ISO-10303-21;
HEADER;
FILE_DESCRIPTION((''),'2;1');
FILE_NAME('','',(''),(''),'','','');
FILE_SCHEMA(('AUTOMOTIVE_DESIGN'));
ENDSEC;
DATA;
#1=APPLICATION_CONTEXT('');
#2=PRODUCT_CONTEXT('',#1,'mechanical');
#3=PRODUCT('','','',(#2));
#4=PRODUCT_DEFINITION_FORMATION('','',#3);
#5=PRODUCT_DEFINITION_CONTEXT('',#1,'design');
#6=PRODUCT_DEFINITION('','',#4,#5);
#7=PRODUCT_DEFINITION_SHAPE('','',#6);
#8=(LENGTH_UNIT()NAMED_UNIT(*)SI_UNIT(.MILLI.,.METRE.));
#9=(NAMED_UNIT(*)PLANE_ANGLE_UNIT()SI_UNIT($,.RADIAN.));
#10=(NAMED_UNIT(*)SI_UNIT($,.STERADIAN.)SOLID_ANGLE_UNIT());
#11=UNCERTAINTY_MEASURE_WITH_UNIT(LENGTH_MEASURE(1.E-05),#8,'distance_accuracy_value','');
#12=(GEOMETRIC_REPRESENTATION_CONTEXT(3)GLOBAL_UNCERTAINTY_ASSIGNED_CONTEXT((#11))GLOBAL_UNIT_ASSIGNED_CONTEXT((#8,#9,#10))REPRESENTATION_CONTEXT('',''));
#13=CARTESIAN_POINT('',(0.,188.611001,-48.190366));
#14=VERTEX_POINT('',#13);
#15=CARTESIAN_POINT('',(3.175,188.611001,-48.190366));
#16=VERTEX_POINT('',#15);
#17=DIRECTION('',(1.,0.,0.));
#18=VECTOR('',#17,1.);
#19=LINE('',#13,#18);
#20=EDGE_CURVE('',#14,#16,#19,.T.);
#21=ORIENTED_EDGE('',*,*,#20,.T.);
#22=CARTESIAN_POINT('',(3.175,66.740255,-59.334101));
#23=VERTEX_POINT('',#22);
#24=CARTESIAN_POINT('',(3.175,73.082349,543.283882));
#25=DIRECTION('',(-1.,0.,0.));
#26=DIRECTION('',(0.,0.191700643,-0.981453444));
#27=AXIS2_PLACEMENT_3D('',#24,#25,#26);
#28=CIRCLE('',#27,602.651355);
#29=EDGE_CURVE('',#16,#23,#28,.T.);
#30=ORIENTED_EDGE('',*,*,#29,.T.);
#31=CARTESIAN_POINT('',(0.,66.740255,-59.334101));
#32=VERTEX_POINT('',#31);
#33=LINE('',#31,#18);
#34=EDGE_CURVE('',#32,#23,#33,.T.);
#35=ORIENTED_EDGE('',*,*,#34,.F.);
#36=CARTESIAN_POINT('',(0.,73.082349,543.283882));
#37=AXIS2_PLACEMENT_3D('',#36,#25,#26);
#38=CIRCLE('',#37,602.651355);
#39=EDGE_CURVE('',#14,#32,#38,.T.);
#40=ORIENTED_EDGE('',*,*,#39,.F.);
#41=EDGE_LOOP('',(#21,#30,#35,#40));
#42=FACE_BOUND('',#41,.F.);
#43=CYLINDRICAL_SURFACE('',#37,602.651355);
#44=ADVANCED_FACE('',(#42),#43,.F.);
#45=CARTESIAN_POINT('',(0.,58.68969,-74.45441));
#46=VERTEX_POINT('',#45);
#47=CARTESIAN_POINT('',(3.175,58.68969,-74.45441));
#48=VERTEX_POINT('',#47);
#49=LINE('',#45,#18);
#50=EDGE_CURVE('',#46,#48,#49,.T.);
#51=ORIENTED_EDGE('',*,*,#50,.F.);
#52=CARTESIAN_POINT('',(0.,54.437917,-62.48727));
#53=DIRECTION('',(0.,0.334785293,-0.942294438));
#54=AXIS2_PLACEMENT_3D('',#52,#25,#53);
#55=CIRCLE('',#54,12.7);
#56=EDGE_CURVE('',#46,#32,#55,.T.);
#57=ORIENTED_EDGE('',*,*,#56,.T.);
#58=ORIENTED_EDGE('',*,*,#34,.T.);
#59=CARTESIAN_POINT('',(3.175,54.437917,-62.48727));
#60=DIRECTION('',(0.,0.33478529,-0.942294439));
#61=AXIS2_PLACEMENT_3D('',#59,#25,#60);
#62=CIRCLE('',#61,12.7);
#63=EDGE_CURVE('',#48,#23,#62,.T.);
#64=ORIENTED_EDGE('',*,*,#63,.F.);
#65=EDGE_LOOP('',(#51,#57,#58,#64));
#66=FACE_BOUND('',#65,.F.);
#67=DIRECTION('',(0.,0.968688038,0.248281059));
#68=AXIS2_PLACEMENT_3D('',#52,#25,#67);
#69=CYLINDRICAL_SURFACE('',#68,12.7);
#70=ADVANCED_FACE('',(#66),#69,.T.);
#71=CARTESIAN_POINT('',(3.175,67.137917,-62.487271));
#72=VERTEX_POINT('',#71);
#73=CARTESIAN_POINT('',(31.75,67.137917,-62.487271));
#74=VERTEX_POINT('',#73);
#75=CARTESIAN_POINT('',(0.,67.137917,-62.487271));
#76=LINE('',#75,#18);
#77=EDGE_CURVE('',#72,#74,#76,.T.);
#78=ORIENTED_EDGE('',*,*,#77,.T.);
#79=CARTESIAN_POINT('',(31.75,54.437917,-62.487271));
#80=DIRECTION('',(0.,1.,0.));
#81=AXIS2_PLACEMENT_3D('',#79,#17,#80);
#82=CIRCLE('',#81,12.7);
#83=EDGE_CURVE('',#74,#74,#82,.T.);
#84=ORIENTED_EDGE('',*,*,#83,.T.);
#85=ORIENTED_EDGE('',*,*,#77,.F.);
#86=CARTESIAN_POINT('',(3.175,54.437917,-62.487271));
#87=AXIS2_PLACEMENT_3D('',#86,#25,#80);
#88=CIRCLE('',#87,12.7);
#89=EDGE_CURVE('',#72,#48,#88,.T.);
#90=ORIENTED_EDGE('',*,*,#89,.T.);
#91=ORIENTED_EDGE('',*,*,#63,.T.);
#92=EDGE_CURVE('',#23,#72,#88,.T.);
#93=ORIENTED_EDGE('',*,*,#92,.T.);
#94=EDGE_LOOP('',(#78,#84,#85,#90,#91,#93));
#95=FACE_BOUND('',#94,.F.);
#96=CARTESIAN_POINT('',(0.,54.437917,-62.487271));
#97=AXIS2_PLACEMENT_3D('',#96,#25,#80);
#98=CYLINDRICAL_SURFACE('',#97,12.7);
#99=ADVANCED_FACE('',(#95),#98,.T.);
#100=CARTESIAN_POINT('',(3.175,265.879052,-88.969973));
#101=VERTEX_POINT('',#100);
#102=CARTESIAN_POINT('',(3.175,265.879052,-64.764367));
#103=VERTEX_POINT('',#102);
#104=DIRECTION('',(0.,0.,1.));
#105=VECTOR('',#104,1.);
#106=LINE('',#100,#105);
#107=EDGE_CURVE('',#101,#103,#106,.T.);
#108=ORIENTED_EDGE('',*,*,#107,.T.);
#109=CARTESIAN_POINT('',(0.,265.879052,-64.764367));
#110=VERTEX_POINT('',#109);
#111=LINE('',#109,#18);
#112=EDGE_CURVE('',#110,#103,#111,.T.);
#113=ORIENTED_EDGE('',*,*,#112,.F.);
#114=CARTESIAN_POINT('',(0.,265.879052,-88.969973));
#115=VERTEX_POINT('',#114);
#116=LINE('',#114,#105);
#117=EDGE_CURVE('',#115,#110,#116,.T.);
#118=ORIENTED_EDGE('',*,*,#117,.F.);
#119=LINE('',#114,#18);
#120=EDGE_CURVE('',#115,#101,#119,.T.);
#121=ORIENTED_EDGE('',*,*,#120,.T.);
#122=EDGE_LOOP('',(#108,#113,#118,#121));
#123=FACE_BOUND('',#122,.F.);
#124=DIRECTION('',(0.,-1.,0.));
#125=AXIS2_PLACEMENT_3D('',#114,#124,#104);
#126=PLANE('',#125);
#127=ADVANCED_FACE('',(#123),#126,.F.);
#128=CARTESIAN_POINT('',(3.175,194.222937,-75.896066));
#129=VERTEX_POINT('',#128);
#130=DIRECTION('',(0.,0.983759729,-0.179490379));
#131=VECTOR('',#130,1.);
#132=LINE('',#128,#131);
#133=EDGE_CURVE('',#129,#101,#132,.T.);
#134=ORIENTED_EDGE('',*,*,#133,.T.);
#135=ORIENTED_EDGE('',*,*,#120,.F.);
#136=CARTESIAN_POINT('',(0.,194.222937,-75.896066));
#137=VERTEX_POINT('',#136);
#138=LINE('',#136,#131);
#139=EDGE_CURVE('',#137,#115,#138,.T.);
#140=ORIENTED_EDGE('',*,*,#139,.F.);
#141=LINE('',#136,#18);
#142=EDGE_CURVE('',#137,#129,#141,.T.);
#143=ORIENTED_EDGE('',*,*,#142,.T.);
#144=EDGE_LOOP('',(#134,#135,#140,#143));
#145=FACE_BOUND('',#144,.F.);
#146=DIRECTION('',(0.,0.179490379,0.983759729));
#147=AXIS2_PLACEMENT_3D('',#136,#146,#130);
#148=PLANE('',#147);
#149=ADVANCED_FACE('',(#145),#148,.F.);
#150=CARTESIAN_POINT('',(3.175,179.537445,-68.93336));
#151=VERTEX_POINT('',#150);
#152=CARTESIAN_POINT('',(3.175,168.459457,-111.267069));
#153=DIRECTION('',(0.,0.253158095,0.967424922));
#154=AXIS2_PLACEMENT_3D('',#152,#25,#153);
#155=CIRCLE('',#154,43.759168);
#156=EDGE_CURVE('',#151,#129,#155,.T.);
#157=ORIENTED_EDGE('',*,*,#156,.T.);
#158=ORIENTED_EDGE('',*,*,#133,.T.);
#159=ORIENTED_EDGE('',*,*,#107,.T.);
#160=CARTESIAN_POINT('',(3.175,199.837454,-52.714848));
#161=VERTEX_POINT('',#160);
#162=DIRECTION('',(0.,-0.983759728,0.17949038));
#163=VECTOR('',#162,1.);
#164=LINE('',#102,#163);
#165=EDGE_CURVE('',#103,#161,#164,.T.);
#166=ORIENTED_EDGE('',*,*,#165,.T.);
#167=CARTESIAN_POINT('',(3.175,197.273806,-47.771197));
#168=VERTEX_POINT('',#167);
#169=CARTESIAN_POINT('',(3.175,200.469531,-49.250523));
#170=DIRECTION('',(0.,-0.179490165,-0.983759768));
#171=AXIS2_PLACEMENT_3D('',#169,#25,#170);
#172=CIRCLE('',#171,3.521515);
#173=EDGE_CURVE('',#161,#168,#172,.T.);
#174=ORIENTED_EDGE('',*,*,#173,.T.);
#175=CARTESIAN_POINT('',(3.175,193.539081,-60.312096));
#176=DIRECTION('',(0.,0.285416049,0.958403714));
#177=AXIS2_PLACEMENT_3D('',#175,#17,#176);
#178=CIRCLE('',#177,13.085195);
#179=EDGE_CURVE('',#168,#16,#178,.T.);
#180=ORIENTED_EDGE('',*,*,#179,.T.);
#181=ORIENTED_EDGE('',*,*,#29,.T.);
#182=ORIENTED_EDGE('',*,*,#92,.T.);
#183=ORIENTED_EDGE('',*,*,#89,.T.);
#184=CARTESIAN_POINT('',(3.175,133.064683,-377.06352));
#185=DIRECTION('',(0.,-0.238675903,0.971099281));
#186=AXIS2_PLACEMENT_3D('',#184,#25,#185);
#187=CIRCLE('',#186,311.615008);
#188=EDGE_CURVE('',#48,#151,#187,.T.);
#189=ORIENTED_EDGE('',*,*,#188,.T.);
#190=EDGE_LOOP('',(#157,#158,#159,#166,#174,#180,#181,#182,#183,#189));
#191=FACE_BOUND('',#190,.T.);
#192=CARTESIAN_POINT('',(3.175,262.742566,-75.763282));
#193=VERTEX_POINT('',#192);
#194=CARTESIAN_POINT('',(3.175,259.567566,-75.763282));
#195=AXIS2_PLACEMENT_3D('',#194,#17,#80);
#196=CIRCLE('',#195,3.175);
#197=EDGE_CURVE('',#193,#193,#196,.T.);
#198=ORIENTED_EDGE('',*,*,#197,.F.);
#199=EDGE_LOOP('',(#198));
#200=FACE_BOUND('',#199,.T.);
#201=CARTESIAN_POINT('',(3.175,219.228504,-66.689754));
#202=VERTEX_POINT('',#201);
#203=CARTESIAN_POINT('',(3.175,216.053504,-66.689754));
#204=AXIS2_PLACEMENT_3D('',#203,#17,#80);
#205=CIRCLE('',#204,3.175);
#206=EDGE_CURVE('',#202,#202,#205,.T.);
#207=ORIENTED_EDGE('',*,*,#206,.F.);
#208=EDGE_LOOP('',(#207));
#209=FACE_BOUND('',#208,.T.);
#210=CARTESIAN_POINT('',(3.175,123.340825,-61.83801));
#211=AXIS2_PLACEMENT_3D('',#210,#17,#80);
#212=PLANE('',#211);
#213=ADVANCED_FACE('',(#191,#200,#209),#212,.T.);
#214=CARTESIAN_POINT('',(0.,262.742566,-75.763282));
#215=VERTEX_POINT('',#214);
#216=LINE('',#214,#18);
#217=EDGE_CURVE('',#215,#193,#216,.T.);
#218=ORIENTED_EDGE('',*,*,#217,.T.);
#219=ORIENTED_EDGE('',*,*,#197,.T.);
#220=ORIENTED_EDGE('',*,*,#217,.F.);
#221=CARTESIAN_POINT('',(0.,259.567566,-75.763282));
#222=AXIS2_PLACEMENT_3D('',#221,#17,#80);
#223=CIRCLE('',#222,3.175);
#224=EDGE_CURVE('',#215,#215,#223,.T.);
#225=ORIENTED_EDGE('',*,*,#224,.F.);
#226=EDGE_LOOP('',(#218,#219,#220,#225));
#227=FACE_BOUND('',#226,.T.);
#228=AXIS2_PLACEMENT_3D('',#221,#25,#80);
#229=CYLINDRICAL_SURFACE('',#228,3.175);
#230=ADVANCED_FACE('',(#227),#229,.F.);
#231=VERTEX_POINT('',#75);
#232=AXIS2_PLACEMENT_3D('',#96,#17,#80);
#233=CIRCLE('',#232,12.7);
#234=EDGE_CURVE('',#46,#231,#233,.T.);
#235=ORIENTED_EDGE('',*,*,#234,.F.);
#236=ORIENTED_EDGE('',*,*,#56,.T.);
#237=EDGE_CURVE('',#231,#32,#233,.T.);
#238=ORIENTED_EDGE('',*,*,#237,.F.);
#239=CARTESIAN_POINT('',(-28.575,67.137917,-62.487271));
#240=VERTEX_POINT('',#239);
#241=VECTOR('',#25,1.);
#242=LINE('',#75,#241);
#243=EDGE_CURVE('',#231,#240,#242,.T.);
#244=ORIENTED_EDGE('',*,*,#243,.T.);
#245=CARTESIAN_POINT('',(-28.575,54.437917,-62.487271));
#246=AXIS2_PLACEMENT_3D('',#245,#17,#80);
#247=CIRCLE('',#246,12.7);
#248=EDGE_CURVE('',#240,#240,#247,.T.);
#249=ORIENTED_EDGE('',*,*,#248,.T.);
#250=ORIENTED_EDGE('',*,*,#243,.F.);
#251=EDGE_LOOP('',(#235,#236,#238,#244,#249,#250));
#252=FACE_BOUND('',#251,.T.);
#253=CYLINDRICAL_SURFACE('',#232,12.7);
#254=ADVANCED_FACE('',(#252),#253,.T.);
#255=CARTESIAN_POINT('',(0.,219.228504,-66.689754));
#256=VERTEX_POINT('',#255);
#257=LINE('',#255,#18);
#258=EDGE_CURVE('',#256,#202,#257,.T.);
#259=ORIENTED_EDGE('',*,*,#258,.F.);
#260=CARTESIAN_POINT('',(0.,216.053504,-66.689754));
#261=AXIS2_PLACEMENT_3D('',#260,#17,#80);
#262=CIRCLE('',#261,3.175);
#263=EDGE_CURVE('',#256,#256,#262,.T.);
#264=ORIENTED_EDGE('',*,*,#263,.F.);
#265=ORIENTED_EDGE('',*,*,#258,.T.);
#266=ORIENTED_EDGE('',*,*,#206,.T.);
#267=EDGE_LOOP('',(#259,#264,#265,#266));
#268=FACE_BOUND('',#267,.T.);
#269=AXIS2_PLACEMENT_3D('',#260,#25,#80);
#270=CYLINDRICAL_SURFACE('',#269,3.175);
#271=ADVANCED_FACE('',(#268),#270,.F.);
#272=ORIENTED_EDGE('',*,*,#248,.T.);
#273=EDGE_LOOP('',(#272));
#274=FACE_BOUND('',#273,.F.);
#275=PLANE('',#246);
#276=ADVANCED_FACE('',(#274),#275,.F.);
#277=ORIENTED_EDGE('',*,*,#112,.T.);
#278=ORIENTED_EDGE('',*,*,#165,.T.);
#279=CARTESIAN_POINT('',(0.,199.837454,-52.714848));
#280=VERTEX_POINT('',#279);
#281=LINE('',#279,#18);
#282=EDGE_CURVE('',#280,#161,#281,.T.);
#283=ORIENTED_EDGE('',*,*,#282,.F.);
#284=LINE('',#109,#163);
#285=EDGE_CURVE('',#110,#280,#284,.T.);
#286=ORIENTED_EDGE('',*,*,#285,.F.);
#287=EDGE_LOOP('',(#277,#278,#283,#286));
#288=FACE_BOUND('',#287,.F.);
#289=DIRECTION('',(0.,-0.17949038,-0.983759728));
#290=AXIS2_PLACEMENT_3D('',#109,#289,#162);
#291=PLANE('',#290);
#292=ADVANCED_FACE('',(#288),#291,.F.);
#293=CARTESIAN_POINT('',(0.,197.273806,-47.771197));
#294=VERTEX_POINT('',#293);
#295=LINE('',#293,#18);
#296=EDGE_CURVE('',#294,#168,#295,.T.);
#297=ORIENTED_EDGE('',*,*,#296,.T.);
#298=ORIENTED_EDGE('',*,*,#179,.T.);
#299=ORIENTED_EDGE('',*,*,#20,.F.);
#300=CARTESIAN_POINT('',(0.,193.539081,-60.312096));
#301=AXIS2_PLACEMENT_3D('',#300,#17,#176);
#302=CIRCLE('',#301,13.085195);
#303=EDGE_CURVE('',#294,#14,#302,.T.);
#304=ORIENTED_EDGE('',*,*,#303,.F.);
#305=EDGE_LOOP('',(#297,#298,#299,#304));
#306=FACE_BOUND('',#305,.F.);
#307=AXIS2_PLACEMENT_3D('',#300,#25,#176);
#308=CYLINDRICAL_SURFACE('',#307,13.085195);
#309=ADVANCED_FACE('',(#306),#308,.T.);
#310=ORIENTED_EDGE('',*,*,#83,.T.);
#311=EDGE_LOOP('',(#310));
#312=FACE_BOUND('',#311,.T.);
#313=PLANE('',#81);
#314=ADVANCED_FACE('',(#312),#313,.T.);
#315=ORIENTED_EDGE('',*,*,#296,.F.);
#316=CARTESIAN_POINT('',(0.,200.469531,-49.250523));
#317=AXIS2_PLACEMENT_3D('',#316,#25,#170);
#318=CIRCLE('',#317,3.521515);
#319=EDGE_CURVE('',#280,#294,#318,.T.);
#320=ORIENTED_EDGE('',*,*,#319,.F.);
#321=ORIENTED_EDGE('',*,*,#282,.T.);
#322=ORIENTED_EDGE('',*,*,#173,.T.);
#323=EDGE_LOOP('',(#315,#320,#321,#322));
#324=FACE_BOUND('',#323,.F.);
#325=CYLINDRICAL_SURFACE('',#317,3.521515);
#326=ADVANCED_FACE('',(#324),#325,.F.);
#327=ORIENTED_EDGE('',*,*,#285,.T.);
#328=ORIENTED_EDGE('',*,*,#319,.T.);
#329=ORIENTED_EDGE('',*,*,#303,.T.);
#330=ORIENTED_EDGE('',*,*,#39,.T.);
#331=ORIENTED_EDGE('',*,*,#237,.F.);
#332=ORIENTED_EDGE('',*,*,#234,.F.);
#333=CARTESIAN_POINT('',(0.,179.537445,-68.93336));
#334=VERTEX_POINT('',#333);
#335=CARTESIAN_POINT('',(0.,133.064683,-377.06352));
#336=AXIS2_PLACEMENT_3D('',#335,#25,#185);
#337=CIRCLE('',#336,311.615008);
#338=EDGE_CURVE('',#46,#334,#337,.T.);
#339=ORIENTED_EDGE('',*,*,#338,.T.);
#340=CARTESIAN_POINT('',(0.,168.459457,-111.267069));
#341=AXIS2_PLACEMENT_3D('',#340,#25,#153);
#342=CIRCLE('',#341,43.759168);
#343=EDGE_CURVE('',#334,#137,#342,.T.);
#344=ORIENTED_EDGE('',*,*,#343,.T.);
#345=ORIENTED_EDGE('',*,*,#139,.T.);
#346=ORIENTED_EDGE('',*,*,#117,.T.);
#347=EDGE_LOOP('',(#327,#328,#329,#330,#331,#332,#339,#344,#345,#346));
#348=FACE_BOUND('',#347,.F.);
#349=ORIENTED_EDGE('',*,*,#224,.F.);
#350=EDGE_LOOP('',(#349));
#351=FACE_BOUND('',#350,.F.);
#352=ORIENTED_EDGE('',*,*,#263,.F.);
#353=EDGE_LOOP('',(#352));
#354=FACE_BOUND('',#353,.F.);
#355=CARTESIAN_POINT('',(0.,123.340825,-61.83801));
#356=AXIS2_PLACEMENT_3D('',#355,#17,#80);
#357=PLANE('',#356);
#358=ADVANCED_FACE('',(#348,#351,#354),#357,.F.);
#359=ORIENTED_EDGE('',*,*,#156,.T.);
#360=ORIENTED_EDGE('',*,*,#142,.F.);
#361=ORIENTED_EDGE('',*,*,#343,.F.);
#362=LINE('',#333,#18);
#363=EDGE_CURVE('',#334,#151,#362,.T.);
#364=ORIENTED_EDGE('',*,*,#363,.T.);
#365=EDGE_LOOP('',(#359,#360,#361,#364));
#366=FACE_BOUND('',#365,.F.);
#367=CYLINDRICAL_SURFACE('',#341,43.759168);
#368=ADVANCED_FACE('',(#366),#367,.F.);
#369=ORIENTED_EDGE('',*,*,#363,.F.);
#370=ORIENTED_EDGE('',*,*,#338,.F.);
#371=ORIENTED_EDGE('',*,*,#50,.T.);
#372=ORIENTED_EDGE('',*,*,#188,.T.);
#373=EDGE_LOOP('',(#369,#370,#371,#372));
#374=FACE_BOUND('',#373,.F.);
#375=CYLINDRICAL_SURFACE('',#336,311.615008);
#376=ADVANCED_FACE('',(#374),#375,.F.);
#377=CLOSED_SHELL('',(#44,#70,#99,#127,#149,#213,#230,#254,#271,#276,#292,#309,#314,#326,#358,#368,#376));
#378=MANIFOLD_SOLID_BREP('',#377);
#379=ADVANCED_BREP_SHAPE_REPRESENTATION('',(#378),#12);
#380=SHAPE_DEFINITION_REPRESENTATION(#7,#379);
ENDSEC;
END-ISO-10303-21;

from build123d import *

# Parameters (mm, degrees)
F0_R          = 4.7625
F0_R_2        = 3.175
F1_DEPTH      = 3.175
F2_R          = 12.7
F3_DEPTH      = 31.75
F3_DEPTH_BACK = 28.575


with BuildPart() as f1:
    # F0 (on Right) → F1 (new body)
    with BuildSketch(Plane.YZ):
        with BuildLine():
            Line((194.222937, -75.896066), (199.837454, -52.714848))
            ThreePointArc((199.837454, -52.714848), (197.343361, -50.871673), (197.273806, -47.771197))
            ThreePointArc((197.273806, -47.771197), (192.906665, -47.242193), (188.611001, -48.190366))
            ThreePointArc((188.611001, -48.190366), (127.959227, -56.863753), (66.740255, -59.334101))
            ThreePointArc((66.740255, -59.334101), (43.22785, -56.518652), (58.68969, -74.45441))
            ThreePointArc((58.68969, -74.45441), (118.843076, -65.773207), (179.537445, -68.93336))
            ThreePointArc((179.537445, -68.93336), (187.206277, -71.726944), (194.222937, -75.896066))
        make_face()
        with Locations((54.437917, -62.487271)):
            Circle(F0_R, mode=Mode.SUBTRACT)
        Polygon((265.879052, -64.764367), (199.837454, -52.714848), (194.222937, -75.896066), (265.879052, -88.969973), align=None)
        with Locations((259.567566, -75.763282)):
            Circle(F0_R_2, mode=Mode.SUBTRACT)
        with Locations((216.053504, -66.689754)):
            Circle(F0_R_2, mode=Mode.SUBTRACT)
    extrude(amount=F1_DEPTH)

    # F2 (on Right) → F3 (join, two sides)
    with BuildSketch(Plane.YZ) as f3_sk:
        with Locations((54.437917, -62.487271)):
            Circle(F2_R)
    extrude(amount=F3_DEPTH)
    extrude(f3_sk.sketch, amount=-F3_DEPTH_BACK)


solid = f1.part
